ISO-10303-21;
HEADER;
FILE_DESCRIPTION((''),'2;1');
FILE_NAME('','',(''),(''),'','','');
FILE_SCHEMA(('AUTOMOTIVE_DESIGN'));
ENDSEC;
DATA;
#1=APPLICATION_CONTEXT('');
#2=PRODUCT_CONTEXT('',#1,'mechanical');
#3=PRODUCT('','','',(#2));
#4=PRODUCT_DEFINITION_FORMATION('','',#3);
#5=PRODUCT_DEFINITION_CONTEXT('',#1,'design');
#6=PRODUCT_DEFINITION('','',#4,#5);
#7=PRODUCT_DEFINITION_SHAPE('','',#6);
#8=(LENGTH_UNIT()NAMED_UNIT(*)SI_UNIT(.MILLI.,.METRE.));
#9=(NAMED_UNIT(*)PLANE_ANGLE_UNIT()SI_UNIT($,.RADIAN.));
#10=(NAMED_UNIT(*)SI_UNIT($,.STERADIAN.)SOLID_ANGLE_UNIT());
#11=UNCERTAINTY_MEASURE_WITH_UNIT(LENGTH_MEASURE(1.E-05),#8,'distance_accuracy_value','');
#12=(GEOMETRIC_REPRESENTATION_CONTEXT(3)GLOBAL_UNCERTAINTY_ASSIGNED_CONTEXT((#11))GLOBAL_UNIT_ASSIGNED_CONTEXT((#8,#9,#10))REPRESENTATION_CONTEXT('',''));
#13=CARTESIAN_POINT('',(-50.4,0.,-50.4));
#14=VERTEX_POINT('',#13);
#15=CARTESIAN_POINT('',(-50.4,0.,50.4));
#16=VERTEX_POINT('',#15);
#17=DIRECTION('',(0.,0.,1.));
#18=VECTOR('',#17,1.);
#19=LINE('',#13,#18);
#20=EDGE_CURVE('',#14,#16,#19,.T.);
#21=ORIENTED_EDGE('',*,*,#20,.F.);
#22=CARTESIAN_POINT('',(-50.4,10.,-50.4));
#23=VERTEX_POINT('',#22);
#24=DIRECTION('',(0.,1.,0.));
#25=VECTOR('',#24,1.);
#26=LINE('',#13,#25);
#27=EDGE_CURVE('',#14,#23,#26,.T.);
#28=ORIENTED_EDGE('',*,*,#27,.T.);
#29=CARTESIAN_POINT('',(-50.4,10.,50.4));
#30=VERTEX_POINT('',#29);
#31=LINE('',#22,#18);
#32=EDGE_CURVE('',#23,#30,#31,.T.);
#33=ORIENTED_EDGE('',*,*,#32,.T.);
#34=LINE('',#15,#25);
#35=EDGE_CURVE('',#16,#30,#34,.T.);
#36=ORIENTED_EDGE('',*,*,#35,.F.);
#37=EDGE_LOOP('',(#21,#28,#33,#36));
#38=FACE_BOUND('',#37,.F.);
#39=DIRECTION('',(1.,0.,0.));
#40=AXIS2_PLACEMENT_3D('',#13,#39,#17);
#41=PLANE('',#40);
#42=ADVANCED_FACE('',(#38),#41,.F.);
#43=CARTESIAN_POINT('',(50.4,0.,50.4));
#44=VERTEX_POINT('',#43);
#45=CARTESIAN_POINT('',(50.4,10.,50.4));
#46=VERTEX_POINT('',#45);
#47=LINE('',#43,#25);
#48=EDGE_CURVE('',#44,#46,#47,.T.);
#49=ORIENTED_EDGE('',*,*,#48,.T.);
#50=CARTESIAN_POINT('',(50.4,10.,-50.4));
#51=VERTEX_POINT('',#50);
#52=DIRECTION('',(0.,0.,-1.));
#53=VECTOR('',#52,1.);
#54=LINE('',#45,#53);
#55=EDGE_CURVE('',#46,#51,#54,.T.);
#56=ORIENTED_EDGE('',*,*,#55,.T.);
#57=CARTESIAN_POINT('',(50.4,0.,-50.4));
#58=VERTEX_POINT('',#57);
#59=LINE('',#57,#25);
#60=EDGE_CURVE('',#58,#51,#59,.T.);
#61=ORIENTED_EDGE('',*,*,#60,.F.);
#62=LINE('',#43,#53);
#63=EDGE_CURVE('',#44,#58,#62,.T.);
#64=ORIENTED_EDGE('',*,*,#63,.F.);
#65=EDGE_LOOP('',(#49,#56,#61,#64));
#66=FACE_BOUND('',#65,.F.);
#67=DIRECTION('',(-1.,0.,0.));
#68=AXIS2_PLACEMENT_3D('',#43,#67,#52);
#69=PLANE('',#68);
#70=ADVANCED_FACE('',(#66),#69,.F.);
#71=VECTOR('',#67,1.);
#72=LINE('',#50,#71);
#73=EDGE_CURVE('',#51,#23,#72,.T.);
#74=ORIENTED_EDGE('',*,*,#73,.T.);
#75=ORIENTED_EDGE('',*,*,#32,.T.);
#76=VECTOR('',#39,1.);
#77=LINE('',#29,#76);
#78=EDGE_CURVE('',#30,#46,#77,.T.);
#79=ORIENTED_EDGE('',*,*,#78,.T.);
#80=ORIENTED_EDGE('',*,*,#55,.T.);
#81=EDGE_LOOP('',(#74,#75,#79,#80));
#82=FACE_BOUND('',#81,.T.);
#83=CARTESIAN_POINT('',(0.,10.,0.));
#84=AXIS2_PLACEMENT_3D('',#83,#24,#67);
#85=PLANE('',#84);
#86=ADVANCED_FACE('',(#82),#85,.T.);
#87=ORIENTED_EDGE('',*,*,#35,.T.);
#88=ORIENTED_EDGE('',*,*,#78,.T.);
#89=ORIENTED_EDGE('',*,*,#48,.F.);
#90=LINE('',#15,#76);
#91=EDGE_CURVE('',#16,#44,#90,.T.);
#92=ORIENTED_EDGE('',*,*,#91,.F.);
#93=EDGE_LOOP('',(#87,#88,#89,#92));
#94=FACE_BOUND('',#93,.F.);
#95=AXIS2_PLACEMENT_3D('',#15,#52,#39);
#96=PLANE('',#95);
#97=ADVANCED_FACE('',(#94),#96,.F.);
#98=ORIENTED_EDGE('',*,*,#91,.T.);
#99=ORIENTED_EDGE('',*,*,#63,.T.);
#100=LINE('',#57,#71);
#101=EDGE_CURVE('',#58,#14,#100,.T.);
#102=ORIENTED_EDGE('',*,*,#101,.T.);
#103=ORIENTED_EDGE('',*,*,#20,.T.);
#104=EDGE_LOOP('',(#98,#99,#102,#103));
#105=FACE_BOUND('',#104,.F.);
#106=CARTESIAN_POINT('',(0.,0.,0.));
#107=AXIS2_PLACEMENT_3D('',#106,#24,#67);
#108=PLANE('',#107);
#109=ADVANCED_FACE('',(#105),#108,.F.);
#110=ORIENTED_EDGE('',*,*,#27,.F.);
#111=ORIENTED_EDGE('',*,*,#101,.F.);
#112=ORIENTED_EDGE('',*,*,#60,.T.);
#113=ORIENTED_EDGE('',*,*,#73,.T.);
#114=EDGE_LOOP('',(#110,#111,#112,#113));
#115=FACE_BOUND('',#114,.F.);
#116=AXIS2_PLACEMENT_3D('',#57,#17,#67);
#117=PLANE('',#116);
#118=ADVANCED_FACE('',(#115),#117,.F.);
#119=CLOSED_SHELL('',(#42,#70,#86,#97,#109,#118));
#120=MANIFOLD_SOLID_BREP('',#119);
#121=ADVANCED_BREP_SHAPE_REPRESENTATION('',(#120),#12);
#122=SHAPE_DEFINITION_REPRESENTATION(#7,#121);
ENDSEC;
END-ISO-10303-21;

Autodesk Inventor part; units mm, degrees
ref_plane "YZ Plane" through (0, 0, 0) normal (1, 0, 0) x (0, 1, 0)
ref_plane "XZ Plane" through (0, 0, 0) normal (0, 1, 0) x (-1, 0, 0)
ref_plane "XY Plane" through (0, 0, 0) normal (0, 0, 1) x (1, 0, 0)
sketch "Sketch1" plane through (0, 0, 0) normal (0, 1, 0) x (-1, 0, 0)
  line L0 (50.4, 50.4) -> (-50.4, 50.4)
  line L1 (-50.4, 50.4) -> (-50.4, -50.4)
  line L2 (-50.4, -50.4) -> (50.4, -50.4)
  line L3 (50.4, -50.4) -> (50.4, 50.4)
  point P0 (0, 0)
  point P1 (0, -50.4)
  point P2 (50.4, 0)
  dimension "d0" = 100.8
extrude "Extrusion1" add sketch "Sketch1" along normal blind 10
properties part number "Sheet_10mm"
